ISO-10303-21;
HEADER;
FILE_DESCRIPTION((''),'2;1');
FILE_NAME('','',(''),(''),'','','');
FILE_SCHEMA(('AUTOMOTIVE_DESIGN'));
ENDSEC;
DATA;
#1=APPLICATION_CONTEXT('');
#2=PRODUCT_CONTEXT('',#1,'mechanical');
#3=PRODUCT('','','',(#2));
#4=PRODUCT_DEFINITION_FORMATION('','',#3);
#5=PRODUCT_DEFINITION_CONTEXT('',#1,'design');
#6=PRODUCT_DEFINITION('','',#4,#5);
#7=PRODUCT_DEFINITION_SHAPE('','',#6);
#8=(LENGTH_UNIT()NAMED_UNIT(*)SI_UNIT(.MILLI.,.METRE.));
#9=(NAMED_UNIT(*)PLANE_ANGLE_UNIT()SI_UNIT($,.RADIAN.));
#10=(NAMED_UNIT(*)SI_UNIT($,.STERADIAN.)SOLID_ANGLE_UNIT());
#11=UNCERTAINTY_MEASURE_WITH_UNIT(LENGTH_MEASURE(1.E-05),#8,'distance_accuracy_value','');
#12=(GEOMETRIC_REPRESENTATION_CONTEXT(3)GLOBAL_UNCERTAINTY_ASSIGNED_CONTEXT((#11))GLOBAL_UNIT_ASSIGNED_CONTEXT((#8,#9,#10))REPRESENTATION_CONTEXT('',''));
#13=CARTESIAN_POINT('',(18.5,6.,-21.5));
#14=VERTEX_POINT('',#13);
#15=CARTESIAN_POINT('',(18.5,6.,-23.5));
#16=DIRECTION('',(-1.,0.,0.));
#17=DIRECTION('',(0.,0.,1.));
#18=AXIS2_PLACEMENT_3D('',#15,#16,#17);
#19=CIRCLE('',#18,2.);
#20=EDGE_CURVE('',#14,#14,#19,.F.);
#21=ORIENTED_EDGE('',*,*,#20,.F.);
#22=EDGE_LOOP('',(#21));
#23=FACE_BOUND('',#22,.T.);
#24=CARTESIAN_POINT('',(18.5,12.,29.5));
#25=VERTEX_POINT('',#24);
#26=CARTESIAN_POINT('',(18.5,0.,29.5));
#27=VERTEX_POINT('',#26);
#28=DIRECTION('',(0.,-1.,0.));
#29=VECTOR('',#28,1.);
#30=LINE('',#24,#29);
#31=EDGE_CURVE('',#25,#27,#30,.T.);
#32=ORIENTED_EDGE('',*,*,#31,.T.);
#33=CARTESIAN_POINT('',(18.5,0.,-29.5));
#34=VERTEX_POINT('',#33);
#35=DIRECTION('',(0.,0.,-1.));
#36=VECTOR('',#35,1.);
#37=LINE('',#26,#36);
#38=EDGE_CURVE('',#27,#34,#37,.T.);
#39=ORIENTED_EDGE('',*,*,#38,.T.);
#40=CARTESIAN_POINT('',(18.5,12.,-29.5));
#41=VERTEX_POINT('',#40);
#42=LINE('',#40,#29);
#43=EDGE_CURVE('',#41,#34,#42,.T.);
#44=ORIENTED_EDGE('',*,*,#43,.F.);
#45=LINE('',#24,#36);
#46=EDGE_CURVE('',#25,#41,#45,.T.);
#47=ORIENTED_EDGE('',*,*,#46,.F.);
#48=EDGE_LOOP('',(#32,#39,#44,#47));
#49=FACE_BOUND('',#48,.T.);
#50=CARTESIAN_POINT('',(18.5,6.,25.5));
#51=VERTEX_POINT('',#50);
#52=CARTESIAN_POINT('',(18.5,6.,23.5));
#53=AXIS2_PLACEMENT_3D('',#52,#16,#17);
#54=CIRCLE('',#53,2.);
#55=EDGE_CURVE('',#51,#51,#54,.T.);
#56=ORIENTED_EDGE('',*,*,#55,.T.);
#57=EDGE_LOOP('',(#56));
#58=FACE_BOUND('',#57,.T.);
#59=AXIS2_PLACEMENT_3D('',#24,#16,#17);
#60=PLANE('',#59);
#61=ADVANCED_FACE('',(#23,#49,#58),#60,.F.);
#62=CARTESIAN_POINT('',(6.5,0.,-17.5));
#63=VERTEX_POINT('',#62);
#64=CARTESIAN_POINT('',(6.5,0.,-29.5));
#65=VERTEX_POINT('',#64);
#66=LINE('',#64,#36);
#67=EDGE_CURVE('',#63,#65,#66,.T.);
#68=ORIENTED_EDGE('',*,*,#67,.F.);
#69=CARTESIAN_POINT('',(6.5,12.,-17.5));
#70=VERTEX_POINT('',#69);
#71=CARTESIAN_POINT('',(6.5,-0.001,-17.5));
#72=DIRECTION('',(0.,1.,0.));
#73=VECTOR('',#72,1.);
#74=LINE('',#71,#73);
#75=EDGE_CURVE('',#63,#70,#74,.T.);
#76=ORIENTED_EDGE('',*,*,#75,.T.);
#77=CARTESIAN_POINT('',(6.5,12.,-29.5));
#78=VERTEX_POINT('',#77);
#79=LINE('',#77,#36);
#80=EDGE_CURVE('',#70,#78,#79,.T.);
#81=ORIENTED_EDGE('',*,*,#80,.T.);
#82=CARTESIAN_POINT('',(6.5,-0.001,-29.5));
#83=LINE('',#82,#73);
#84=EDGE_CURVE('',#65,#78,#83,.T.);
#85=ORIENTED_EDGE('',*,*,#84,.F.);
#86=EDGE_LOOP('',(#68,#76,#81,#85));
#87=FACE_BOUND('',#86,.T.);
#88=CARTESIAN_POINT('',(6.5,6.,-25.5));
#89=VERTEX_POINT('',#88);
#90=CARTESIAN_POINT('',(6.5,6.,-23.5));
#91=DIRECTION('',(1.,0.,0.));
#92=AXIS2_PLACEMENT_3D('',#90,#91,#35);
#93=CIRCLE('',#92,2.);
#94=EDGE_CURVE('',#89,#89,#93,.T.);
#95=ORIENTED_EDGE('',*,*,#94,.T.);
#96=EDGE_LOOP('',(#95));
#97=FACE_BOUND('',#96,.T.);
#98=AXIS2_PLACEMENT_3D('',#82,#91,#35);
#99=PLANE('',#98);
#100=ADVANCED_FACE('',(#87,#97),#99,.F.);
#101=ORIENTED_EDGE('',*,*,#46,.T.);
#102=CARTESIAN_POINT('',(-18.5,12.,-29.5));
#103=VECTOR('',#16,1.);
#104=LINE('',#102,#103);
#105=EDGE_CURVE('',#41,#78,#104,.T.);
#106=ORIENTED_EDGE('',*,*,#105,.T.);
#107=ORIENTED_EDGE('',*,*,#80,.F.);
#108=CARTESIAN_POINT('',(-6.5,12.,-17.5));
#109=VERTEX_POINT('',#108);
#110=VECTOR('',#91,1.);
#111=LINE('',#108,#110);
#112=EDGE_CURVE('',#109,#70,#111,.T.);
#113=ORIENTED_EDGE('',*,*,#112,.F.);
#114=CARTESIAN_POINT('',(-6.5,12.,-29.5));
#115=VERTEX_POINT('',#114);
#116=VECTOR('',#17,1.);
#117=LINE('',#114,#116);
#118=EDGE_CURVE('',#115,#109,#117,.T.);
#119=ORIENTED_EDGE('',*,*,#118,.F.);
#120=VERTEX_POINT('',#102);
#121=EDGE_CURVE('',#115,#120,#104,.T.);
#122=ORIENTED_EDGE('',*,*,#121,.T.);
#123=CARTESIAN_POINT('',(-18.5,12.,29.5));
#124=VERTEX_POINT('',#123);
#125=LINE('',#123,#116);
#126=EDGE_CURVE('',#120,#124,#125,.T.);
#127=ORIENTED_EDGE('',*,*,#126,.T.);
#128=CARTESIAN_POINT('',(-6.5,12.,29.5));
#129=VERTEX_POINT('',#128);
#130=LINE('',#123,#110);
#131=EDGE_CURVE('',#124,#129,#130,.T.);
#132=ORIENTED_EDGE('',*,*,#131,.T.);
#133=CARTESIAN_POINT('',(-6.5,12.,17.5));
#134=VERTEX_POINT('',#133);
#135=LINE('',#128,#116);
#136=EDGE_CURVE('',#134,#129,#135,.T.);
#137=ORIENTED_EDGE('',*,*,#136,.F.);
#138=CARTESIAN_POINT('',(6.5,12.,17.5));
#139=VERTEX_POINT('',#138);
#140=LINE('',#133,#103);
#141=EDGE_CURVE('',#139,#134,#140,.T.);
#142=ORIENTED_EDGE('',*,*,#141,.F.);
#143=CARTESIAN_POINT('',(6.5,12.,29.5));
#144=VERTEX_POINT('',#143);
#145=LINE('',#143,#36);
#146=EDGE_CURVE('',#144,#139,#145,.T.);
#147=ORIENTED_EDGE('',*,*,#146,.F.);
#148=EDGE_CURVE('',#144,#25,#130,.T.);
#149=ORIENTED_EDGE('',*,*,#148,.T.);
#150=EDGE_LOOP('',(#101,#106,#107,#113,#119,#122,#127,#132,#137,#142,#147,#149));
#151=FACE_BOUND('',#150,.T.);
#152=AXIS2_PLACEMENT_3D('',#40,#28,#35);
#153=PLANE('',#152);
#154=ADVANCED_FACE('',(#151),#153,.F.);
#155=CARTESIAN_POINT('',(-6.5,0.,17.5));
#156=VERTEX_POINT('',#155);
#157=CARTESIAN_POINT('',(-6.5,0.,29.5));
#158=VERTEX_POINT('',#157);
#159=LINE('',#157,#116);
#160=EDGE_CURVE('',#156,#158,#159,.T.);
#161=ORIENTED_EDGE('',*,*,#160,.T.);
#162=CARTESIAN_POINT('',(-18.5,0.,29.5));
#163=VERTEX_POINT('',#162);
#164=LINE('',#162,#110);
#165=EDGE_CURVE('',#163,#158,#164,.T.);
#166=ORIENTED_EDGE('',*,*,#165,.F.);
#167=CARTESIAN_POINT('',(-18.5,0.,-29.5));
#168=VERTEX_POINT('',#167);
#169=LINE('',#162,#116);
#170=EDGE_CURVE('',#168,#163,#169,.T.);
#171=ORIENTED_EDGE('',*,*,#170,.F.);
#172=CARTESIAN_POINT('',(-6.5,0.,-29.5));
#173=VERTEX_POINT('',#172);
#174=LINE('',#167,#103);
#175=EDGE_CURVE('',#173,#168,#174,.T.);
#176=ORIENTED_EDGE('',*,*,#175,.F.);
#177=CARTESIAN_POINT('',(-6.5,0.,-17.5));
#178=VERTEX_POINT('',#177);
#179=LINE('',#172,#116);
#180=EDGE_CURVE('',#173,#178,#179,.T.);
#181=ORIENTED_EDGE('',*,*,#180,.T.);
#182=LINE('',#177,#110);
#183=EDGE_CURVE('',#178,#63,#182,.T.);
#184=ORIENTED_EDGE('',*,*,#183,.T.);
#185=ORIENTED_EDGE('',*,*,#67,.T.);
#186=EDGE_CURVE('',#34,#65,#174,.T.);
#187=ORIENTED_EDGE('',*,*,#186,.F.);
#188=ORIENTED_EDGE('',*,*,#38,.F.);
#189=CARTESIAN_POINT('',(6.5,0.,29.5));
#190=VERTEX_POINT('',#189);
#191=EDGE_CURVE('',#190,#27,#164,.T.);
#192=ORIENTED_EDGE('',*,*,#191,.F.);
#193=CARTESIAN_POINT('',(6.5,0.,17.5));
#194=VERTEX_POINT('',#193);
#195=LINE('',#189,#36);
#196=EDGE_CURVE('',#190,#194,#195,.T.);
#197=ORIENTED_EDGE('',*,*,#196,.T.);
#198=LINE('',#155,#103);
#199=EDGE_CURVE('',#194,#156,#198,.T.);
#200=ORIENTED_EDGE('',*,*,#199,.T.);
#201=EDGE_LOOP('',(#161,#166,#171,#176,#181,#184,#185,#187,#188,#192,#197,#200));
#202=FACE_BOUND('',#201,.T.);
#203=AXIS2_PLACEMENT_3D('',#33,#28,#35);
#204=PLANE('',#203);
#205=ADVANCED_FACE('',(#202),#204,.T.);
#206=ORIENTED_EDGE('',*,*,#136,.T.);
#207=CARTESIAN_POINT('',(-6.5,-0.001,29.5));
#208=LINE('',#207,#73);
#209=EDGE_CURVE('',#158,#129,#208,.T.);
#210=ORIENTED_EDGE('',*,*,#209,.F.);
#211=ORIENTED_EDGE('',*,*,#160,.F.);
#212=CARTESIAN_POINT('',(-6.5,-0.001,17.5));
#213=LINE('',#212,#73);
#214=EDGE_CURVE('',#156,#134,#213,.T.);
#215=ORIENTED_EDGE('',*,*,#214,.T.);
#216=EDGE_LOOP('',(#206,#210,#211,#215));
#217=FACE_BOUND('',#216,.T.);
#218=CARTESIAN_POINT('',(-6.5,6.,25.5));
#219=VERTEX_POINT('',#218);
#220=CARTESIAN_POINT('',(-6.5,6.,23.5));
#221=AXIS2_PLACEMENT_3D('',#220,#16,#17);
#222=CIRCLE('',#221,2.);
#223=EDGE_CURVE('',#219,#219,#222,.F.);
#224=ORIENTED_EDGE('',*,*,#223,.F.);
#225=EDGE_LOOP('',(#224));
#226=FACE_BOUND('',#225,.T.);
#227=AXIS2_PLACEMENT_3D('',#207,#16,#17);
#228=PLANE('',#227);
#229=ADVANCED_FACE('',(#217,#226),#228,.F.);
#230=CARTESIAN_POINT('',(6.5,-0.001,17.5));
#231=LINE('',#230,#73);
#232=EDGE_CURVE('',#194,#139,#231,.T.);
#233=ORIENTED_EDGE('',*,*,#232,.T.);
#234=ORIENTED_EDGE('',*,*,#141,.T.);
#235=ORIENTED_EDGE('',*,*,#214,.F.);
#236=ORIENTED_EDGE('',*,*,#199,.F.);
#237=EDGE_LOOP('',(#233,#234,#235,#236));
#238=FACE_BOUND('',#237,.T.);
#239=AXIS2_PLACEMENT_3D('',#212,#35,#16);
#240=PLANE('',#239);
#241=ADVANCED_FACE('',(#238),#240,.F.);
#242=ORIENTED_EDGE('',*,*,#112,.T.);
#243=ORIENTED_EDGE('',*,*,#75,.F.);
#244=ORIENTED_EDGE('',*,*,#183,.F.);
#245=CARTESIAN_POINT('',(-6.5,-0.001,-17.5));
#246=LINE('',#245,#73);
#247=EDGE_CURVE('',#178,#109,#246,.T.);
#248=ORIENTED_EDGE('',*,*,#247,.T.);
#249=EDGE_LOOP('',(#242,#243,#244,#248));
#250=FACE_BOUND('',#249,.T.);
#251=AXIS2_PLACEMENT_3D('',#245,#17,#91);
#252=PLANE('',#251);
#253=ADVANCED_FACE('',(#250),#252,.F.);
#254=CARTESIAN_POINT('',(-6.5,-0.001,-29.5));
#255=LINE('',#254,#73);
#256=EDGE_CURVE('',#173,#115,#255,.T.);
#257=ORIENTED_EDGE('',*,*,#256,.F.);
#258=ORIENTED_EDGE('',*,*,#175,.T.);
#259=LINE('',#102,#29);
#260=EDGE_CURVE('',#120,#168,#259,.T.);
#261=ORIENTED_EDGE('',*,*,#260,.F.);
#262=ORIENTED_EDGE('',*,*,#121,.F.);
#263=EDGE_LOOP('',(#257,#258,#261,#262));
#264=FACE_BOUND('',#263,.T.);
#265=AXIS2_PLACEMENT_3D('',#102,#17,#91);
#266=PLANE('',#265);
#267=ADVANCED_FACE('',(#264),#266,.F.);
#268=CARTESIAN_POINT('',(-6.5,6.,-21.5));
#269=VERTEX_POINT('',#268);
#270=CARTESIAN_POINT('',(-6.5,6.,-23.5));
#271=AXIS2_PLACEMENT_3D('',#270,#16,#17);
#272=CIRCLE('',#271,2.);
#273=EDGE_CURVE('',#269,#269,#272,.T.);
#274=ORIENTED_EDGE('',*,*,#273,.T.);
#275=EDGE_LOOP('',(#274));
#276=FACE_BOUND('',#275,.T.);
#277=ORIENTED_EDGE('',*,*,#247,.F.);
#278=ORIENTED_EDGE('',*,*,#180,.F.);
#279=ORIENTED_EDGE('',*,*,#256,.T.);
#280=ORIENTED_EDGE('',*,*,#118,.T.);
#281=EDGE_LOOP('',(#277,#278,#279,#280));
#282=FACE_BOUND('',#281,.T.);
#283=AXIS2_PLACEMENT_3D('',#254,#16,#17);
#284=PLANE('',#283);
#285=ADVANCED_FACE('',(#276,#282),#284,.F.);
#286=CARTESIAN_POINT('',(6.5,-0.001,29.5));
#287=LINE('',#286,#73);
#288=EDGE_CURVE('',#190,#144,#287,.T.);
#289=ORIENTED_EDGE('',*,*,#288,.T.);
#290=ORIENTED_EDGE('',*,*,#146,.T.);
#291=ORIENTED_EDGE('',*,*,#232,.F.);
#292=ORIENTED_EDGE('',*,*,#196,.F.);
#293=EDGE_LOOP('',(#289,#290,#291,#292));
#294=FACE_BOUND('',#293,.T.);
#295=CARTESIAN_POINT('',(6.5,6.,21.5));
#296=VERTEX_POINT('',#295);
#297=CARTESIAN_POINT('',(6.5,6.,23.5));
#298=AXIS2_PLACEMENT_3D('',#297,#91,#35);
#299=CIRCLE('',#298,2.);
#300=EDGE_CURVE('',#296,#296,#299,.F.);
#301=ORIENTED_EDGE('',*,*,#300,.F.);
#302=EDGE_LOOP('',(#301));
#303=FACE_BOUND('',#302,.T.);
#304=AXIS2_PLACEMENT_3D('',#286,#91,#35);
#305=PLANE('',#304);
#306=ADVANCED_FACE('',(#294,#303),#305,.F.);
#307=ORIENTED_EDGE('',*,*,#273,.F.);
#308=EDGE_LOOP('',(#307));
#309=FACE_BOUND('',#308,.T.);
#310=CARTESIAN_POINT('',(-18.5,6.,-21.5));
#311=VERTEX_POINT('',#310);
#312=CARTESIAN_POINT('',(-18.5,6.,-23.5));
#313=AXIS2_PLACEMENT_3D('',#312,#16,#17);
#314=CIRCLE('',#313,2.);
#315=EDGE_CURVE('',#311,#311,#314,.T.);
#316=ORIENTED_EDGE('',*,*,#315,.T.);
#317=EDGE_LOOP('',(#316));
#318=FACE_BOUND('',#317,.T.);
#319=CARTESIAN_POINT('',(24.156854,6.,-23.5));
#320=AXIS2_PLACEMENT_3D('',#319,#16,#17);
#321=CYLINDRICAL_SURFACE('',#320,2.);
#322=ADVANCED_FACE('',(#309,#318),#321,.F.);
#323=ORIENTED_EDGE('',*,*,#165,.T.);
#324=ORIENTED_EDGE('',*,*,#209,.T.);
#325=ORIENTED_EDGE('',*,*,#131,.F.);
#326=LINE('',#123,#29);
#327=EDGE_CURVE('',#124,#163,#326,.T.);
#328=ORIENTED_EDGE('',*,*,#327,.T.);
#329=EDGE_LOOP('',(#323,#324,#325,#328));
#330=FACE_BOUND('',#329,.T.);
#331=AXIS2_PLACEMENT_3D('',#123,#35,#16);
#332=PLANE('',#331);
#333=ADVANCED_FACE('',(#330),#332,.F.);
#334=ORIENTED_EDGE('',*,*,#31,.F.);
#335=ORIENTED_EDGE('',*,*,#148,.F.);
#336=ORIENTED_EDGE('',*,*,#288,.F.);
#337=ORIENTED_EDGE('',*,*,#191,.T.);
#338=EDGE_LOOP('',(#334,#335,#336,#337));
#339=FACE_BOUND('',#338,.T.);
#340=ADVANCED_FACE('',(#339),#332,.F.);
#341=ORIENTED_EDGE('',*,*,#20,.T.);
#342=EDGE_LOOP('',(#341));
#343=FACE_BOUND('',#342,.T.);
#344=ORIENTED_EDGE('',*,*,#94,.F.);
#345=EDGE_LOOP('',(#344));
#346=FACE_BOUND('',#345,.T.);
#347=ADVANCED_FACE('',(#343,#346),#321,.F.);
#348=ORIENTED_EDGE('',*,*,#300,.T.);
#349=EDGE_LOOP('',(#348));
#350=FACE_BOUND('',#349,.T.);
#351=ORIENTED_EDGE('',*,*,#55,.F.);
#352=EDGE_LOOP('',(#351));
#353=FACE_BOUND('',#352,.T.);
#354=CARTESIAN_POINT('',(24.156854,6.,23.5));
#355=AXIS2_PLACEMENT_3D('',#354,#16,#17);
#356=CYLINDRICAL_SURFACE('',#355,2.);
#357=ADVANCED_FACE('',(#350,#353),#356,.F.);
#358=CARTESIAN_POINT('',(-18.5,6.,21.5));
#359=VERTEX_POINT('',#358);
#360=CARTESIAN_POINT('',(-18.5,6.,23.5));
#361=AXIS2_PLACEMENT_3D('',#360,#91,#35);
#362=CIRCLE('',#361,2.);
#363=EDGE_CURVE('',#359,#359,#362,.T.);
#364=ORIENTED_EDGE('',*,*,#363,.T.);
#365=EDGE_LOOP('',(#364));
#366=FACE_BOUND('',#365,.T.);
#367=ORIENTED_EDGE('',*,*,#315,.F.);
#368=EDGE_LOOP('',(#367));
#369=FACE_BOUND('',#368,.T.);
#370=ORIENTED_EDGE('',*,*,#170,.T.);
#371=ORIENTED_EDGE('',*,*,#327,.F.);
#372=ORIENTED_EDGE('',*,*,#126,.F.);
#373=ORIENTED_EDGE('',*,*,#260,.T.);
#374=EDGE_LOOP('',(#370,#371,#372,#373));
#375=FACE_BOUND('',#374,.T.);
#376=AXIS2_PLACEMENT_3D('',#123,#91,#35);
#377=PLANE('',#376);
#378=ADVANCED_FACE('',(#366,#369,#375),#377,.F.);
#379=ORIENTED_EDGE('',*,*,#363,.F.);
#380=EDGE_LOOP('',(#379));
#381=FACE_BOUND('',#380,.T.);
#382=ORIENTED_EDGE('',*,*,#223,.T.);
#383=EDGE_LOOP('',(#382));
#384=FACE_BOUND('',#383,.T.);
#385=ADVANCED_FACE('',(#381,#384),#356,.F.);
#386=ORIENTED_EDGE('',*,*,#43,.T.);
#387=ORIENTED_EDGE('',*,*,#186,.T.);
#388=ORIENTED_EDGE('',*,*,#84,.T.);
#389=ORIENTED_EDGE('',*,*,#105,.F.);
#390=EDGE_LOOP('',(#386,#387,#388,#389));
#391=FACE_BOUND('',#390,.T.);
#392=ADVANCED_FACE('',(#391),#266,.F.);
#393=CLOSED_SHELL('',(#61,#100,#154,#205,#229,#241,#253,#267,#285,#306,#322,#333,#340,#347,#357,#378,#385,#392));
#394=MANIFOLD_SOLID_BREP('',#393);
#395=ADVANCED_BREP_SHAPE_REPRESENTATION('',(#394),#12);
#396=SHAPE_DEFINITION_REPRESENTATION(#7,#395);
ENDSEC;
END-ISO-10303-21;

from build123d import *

# Parameters (mm, degrees)
SKETCH1_W           = 37
SKETCH1_H           = 59
BOSS_EXTRUDE1_DEPTH = 12
CUT_EXTRUDE1_REACH  = 38.831
SKETCH2_W           = 13
SKETCH2_H           = 12
CUT_EXTRUDE2_REACH  = 50.819
SKETCH3_R           = 2


with BuildPart() as part:
    # Sketch1 → Boss-Extrude1 (new body)
    with BuildSketch(Plane(origin=(0, 0, 0), x_dir=(1, 0, 0), z_dir=(0, 1, 0))):
        Rectangle(SKETCH1_W, SKETCH1_H)
    extrude(amount=BOSS_EXTRUDE1_DEPTH)

    # Sketch2 → Cut-Extrude1 (cut, up to next)
    with BuildSketch(Plane(origin=(0, 12, 0), x_dir=(1, 0, 0), z_dir=(0, 1, 0)), mode=Mode.PRIVATE) as cut_extrude1_sk1:
        with Locations((0, 23.5)):
            Rectangle(SKETCH2_W, SKETCH2_H)
    cut_extrude1_tool1 = extrude(cut_extrude1_sk1.sketch, amount=-CUT_EXTRUDE1_REACH, mode=Mode.PRIVATE) & part.part
    # Sketch2 → Cut-Extrude1 (cut, up to next)
    with BuildSketch(Plane(origin=(0, 12, 0), x_dir=(1, 0, 0), z_dir=(0, 1, 0)), mode=Mode.PRIVATE) as cut_extrude1_sk2:
        with Locations((0, -23.5)):
            Rectangle(SKETCH2_W, SKETCH2_H)
    cut_extrude1_tool2 = extrude(cut_extrude1_sk2.sketch, amount=-CUT_EXTRUDE1_REACH, mode=Mode.PRIVATE) & part.part
    add(cut_extrude1_tool1.solids().sort_by_distance((0, 12, -23.5))[0], mode=Mode.SUBTRACT)
    add(cut_extrude1_tool2.solids().sort_by_distance((0, 12, 23.5))[0], mode=Mode.SUBTRACT)

    # Cut-Extrude2: up to this face of the body (flat: up to its plane)
    cut_extrude2_end = Plane(part.part.faces().sort_by_distance((18.5, 6, 0))[0])
    # Sketch3 → Cut-Extrude2 (cut, up to the picked face)
    with BuildSketch(Plane.ZY.offset(18.5), mode=Mode.PRIVATE) as cut_extrude2_sk1:
        with Locations((-23.5, 6)):
            Circle(SKETCH3_R)
    cut_extrude2_tool1 = split(extrude(cut_extrude2_sk1.sketch, amount=-CUT_EXTRUDE2_REACH, mode=Mode.PRIVATE), bisect_by=cut_extrude2_end, keep=Keep.BOTH, mode=Mode.PRIVATE)
    cut_extrude2 = cut_extrude2_tool1.solids().sort_by(Axis((-18.5, 6, -23.5), (1, 0, 0)))[0]
    add(cut_extrude2, mode=Mode.SUBTRACT)

    # Mirror1: Cut-Extrude2 across plane
    add(cut_extrude2.mirror(Plane.XY), mode=Mode.SUBTRACT)


solid = part.part
